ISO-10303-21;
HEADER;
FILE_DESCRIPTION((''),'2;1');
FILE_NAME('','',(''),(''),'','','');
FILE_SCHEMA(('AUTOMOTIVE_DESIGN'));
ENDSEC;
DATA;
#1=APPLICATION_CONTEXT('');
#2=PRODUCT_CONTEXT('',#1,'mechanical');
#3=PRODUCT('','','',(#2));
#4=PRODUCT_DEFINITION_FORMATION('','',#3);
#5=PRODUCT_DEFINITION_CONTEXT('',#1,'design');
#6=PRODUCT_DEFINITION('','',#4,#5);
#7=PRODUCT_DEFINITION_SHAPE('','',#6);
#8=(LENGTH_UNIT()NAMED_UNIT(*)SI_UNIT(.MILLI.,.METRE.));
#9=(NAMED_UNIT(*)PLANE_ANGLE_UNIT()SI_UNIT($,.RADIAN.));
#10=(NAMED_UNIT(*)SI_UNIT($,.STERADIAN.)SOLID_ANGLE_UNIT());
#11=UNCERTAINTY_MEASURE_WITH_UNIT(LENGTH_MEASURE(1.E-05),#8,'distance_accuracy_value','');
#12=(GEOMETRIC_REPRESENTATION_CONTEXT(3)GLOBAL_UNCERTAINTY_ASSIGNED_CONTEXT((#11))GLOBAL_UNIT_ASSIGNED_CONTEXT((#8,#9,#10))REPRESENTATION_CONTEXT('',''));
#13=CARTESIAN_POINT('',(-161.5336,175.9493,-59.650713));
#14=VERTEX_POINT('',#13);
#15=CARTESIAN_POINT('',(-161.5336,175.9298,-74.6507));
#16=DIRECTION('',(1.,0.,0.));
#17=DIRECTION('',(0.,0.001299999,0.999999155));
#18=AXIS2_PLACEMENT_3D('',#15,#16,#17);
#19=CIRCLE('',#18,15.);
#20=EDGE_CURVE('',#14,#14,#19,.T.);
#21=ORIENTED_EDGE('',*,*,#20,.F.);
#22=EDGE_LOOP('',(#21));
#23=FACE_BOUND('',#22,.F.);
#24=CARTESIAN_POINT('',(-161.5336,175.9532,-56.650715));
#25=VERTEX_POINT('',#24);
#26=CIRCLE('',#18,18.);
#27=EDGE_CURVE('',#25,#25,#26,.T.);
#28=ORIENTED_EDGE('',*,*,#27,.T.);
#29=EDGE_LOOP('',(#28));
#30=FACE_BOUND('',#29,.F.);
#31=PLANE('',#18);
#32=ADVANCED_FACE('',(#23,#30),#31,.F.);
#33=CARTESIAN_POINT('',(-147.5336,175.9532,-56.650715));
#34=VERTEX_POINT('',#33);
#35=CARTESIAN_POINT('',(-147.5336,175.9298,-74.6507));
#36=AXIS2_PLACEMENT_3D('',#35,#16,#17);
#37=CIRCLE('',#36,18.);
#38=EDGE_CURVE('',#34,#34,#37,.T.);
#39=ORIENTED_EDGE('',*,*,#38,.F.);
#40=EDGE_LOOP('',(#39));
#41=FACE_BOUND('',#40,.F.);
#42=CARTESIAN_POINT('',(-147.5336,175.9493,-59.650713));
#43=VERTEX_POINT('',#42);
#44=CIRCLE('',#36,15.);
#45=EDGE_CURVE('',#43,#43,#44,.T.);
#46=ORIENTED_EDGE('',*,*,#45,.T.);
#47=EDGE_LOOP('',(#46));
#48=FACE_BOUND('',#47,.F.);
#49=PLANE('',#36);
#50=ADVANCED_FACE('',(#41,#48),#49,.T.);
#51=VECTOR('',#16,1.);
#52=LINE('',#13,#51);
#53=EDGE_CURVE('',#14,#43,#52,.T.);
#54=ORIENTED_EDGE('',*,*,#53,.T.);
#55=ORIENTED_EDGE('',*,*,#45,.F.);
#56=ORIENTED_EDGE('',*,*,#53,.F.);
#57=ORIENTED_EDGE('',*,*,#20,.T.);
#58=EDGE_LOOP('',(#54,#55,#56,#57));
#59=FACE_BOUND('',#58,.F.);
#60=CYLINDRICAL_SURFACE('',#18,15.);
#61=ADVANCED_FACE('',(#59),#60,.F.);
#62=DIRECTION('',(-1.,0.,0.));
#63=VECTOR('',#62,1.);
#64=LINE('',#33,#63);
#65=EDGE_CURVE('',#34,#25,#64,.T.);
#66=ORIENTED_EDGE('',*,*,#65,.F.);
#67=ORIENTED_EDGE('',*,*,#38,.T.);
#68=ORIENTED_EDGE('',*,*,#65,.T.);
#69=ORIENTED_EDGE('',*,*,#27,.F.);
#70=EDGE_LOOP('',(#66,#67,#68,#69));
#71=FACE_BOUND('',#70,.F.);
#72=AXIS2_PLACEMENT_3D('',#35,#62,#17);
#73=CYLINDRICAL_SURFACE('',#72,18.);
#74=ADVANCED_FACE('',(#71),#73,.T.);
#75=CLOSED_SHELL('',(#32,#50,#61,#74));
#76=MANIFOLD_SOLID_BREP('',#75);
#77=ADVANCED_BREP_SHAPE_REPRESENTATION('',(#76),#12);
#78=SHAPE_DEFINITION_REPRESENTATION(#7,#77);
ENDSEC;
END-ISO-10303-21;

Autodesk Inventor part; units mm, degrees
ref_plane "YZ Plane" through (0, 0, 0) normal (1, 0, 0) x (0, 1, 0)
ref_plane "XZ Plane" through (0, 0, 0) normal (0, 1, 0) x (-1, 0, 0)
ref_plane "XY Plane" through (0, 0, 0) normal (0, 0, 1) x (1, 0, 0)
ref_plane "工作平面2" through (-456.5336, 175.9298, -74.6507) normal (0, 1, -0.0013) x (-1, 0, 0)
sketch "草图1" plane through (-456.5336, 175.9298, -74.6507) normal (0, 1, -0.0013) x (-1, 0, 0)
  line L0 (-309, -20.6) -> (-309, 20.6) projected
  line L1 (-294.5, 20) -> (-294.5, -20) projected
  line L2 (-295, -15) -> (-295, 15) projected
  line L3 (-295, 15) -> (-309, 15)
  line L4 (-309, 15) -> (-309, 18)
  line L5 (-309, 18) -> (-295, 18)
  line L6 (-295, 18) -> (-295, 15)
  line L7 (-294.5, 0) -> (-309, 0)
  point P0 (-456.5336, 74.4134)
  point P1 (-301.75, 0)
  point P2 (-309, 15)
  dimension "d0" = 18
revolve "旋转1" add sketch "草图1" angle 360 about axis through (-162.0336, 175.9298, -74.6507) along (1, 0, 0) contours L0 L5 L6 L3
properties part number "高速轴套筒2"
